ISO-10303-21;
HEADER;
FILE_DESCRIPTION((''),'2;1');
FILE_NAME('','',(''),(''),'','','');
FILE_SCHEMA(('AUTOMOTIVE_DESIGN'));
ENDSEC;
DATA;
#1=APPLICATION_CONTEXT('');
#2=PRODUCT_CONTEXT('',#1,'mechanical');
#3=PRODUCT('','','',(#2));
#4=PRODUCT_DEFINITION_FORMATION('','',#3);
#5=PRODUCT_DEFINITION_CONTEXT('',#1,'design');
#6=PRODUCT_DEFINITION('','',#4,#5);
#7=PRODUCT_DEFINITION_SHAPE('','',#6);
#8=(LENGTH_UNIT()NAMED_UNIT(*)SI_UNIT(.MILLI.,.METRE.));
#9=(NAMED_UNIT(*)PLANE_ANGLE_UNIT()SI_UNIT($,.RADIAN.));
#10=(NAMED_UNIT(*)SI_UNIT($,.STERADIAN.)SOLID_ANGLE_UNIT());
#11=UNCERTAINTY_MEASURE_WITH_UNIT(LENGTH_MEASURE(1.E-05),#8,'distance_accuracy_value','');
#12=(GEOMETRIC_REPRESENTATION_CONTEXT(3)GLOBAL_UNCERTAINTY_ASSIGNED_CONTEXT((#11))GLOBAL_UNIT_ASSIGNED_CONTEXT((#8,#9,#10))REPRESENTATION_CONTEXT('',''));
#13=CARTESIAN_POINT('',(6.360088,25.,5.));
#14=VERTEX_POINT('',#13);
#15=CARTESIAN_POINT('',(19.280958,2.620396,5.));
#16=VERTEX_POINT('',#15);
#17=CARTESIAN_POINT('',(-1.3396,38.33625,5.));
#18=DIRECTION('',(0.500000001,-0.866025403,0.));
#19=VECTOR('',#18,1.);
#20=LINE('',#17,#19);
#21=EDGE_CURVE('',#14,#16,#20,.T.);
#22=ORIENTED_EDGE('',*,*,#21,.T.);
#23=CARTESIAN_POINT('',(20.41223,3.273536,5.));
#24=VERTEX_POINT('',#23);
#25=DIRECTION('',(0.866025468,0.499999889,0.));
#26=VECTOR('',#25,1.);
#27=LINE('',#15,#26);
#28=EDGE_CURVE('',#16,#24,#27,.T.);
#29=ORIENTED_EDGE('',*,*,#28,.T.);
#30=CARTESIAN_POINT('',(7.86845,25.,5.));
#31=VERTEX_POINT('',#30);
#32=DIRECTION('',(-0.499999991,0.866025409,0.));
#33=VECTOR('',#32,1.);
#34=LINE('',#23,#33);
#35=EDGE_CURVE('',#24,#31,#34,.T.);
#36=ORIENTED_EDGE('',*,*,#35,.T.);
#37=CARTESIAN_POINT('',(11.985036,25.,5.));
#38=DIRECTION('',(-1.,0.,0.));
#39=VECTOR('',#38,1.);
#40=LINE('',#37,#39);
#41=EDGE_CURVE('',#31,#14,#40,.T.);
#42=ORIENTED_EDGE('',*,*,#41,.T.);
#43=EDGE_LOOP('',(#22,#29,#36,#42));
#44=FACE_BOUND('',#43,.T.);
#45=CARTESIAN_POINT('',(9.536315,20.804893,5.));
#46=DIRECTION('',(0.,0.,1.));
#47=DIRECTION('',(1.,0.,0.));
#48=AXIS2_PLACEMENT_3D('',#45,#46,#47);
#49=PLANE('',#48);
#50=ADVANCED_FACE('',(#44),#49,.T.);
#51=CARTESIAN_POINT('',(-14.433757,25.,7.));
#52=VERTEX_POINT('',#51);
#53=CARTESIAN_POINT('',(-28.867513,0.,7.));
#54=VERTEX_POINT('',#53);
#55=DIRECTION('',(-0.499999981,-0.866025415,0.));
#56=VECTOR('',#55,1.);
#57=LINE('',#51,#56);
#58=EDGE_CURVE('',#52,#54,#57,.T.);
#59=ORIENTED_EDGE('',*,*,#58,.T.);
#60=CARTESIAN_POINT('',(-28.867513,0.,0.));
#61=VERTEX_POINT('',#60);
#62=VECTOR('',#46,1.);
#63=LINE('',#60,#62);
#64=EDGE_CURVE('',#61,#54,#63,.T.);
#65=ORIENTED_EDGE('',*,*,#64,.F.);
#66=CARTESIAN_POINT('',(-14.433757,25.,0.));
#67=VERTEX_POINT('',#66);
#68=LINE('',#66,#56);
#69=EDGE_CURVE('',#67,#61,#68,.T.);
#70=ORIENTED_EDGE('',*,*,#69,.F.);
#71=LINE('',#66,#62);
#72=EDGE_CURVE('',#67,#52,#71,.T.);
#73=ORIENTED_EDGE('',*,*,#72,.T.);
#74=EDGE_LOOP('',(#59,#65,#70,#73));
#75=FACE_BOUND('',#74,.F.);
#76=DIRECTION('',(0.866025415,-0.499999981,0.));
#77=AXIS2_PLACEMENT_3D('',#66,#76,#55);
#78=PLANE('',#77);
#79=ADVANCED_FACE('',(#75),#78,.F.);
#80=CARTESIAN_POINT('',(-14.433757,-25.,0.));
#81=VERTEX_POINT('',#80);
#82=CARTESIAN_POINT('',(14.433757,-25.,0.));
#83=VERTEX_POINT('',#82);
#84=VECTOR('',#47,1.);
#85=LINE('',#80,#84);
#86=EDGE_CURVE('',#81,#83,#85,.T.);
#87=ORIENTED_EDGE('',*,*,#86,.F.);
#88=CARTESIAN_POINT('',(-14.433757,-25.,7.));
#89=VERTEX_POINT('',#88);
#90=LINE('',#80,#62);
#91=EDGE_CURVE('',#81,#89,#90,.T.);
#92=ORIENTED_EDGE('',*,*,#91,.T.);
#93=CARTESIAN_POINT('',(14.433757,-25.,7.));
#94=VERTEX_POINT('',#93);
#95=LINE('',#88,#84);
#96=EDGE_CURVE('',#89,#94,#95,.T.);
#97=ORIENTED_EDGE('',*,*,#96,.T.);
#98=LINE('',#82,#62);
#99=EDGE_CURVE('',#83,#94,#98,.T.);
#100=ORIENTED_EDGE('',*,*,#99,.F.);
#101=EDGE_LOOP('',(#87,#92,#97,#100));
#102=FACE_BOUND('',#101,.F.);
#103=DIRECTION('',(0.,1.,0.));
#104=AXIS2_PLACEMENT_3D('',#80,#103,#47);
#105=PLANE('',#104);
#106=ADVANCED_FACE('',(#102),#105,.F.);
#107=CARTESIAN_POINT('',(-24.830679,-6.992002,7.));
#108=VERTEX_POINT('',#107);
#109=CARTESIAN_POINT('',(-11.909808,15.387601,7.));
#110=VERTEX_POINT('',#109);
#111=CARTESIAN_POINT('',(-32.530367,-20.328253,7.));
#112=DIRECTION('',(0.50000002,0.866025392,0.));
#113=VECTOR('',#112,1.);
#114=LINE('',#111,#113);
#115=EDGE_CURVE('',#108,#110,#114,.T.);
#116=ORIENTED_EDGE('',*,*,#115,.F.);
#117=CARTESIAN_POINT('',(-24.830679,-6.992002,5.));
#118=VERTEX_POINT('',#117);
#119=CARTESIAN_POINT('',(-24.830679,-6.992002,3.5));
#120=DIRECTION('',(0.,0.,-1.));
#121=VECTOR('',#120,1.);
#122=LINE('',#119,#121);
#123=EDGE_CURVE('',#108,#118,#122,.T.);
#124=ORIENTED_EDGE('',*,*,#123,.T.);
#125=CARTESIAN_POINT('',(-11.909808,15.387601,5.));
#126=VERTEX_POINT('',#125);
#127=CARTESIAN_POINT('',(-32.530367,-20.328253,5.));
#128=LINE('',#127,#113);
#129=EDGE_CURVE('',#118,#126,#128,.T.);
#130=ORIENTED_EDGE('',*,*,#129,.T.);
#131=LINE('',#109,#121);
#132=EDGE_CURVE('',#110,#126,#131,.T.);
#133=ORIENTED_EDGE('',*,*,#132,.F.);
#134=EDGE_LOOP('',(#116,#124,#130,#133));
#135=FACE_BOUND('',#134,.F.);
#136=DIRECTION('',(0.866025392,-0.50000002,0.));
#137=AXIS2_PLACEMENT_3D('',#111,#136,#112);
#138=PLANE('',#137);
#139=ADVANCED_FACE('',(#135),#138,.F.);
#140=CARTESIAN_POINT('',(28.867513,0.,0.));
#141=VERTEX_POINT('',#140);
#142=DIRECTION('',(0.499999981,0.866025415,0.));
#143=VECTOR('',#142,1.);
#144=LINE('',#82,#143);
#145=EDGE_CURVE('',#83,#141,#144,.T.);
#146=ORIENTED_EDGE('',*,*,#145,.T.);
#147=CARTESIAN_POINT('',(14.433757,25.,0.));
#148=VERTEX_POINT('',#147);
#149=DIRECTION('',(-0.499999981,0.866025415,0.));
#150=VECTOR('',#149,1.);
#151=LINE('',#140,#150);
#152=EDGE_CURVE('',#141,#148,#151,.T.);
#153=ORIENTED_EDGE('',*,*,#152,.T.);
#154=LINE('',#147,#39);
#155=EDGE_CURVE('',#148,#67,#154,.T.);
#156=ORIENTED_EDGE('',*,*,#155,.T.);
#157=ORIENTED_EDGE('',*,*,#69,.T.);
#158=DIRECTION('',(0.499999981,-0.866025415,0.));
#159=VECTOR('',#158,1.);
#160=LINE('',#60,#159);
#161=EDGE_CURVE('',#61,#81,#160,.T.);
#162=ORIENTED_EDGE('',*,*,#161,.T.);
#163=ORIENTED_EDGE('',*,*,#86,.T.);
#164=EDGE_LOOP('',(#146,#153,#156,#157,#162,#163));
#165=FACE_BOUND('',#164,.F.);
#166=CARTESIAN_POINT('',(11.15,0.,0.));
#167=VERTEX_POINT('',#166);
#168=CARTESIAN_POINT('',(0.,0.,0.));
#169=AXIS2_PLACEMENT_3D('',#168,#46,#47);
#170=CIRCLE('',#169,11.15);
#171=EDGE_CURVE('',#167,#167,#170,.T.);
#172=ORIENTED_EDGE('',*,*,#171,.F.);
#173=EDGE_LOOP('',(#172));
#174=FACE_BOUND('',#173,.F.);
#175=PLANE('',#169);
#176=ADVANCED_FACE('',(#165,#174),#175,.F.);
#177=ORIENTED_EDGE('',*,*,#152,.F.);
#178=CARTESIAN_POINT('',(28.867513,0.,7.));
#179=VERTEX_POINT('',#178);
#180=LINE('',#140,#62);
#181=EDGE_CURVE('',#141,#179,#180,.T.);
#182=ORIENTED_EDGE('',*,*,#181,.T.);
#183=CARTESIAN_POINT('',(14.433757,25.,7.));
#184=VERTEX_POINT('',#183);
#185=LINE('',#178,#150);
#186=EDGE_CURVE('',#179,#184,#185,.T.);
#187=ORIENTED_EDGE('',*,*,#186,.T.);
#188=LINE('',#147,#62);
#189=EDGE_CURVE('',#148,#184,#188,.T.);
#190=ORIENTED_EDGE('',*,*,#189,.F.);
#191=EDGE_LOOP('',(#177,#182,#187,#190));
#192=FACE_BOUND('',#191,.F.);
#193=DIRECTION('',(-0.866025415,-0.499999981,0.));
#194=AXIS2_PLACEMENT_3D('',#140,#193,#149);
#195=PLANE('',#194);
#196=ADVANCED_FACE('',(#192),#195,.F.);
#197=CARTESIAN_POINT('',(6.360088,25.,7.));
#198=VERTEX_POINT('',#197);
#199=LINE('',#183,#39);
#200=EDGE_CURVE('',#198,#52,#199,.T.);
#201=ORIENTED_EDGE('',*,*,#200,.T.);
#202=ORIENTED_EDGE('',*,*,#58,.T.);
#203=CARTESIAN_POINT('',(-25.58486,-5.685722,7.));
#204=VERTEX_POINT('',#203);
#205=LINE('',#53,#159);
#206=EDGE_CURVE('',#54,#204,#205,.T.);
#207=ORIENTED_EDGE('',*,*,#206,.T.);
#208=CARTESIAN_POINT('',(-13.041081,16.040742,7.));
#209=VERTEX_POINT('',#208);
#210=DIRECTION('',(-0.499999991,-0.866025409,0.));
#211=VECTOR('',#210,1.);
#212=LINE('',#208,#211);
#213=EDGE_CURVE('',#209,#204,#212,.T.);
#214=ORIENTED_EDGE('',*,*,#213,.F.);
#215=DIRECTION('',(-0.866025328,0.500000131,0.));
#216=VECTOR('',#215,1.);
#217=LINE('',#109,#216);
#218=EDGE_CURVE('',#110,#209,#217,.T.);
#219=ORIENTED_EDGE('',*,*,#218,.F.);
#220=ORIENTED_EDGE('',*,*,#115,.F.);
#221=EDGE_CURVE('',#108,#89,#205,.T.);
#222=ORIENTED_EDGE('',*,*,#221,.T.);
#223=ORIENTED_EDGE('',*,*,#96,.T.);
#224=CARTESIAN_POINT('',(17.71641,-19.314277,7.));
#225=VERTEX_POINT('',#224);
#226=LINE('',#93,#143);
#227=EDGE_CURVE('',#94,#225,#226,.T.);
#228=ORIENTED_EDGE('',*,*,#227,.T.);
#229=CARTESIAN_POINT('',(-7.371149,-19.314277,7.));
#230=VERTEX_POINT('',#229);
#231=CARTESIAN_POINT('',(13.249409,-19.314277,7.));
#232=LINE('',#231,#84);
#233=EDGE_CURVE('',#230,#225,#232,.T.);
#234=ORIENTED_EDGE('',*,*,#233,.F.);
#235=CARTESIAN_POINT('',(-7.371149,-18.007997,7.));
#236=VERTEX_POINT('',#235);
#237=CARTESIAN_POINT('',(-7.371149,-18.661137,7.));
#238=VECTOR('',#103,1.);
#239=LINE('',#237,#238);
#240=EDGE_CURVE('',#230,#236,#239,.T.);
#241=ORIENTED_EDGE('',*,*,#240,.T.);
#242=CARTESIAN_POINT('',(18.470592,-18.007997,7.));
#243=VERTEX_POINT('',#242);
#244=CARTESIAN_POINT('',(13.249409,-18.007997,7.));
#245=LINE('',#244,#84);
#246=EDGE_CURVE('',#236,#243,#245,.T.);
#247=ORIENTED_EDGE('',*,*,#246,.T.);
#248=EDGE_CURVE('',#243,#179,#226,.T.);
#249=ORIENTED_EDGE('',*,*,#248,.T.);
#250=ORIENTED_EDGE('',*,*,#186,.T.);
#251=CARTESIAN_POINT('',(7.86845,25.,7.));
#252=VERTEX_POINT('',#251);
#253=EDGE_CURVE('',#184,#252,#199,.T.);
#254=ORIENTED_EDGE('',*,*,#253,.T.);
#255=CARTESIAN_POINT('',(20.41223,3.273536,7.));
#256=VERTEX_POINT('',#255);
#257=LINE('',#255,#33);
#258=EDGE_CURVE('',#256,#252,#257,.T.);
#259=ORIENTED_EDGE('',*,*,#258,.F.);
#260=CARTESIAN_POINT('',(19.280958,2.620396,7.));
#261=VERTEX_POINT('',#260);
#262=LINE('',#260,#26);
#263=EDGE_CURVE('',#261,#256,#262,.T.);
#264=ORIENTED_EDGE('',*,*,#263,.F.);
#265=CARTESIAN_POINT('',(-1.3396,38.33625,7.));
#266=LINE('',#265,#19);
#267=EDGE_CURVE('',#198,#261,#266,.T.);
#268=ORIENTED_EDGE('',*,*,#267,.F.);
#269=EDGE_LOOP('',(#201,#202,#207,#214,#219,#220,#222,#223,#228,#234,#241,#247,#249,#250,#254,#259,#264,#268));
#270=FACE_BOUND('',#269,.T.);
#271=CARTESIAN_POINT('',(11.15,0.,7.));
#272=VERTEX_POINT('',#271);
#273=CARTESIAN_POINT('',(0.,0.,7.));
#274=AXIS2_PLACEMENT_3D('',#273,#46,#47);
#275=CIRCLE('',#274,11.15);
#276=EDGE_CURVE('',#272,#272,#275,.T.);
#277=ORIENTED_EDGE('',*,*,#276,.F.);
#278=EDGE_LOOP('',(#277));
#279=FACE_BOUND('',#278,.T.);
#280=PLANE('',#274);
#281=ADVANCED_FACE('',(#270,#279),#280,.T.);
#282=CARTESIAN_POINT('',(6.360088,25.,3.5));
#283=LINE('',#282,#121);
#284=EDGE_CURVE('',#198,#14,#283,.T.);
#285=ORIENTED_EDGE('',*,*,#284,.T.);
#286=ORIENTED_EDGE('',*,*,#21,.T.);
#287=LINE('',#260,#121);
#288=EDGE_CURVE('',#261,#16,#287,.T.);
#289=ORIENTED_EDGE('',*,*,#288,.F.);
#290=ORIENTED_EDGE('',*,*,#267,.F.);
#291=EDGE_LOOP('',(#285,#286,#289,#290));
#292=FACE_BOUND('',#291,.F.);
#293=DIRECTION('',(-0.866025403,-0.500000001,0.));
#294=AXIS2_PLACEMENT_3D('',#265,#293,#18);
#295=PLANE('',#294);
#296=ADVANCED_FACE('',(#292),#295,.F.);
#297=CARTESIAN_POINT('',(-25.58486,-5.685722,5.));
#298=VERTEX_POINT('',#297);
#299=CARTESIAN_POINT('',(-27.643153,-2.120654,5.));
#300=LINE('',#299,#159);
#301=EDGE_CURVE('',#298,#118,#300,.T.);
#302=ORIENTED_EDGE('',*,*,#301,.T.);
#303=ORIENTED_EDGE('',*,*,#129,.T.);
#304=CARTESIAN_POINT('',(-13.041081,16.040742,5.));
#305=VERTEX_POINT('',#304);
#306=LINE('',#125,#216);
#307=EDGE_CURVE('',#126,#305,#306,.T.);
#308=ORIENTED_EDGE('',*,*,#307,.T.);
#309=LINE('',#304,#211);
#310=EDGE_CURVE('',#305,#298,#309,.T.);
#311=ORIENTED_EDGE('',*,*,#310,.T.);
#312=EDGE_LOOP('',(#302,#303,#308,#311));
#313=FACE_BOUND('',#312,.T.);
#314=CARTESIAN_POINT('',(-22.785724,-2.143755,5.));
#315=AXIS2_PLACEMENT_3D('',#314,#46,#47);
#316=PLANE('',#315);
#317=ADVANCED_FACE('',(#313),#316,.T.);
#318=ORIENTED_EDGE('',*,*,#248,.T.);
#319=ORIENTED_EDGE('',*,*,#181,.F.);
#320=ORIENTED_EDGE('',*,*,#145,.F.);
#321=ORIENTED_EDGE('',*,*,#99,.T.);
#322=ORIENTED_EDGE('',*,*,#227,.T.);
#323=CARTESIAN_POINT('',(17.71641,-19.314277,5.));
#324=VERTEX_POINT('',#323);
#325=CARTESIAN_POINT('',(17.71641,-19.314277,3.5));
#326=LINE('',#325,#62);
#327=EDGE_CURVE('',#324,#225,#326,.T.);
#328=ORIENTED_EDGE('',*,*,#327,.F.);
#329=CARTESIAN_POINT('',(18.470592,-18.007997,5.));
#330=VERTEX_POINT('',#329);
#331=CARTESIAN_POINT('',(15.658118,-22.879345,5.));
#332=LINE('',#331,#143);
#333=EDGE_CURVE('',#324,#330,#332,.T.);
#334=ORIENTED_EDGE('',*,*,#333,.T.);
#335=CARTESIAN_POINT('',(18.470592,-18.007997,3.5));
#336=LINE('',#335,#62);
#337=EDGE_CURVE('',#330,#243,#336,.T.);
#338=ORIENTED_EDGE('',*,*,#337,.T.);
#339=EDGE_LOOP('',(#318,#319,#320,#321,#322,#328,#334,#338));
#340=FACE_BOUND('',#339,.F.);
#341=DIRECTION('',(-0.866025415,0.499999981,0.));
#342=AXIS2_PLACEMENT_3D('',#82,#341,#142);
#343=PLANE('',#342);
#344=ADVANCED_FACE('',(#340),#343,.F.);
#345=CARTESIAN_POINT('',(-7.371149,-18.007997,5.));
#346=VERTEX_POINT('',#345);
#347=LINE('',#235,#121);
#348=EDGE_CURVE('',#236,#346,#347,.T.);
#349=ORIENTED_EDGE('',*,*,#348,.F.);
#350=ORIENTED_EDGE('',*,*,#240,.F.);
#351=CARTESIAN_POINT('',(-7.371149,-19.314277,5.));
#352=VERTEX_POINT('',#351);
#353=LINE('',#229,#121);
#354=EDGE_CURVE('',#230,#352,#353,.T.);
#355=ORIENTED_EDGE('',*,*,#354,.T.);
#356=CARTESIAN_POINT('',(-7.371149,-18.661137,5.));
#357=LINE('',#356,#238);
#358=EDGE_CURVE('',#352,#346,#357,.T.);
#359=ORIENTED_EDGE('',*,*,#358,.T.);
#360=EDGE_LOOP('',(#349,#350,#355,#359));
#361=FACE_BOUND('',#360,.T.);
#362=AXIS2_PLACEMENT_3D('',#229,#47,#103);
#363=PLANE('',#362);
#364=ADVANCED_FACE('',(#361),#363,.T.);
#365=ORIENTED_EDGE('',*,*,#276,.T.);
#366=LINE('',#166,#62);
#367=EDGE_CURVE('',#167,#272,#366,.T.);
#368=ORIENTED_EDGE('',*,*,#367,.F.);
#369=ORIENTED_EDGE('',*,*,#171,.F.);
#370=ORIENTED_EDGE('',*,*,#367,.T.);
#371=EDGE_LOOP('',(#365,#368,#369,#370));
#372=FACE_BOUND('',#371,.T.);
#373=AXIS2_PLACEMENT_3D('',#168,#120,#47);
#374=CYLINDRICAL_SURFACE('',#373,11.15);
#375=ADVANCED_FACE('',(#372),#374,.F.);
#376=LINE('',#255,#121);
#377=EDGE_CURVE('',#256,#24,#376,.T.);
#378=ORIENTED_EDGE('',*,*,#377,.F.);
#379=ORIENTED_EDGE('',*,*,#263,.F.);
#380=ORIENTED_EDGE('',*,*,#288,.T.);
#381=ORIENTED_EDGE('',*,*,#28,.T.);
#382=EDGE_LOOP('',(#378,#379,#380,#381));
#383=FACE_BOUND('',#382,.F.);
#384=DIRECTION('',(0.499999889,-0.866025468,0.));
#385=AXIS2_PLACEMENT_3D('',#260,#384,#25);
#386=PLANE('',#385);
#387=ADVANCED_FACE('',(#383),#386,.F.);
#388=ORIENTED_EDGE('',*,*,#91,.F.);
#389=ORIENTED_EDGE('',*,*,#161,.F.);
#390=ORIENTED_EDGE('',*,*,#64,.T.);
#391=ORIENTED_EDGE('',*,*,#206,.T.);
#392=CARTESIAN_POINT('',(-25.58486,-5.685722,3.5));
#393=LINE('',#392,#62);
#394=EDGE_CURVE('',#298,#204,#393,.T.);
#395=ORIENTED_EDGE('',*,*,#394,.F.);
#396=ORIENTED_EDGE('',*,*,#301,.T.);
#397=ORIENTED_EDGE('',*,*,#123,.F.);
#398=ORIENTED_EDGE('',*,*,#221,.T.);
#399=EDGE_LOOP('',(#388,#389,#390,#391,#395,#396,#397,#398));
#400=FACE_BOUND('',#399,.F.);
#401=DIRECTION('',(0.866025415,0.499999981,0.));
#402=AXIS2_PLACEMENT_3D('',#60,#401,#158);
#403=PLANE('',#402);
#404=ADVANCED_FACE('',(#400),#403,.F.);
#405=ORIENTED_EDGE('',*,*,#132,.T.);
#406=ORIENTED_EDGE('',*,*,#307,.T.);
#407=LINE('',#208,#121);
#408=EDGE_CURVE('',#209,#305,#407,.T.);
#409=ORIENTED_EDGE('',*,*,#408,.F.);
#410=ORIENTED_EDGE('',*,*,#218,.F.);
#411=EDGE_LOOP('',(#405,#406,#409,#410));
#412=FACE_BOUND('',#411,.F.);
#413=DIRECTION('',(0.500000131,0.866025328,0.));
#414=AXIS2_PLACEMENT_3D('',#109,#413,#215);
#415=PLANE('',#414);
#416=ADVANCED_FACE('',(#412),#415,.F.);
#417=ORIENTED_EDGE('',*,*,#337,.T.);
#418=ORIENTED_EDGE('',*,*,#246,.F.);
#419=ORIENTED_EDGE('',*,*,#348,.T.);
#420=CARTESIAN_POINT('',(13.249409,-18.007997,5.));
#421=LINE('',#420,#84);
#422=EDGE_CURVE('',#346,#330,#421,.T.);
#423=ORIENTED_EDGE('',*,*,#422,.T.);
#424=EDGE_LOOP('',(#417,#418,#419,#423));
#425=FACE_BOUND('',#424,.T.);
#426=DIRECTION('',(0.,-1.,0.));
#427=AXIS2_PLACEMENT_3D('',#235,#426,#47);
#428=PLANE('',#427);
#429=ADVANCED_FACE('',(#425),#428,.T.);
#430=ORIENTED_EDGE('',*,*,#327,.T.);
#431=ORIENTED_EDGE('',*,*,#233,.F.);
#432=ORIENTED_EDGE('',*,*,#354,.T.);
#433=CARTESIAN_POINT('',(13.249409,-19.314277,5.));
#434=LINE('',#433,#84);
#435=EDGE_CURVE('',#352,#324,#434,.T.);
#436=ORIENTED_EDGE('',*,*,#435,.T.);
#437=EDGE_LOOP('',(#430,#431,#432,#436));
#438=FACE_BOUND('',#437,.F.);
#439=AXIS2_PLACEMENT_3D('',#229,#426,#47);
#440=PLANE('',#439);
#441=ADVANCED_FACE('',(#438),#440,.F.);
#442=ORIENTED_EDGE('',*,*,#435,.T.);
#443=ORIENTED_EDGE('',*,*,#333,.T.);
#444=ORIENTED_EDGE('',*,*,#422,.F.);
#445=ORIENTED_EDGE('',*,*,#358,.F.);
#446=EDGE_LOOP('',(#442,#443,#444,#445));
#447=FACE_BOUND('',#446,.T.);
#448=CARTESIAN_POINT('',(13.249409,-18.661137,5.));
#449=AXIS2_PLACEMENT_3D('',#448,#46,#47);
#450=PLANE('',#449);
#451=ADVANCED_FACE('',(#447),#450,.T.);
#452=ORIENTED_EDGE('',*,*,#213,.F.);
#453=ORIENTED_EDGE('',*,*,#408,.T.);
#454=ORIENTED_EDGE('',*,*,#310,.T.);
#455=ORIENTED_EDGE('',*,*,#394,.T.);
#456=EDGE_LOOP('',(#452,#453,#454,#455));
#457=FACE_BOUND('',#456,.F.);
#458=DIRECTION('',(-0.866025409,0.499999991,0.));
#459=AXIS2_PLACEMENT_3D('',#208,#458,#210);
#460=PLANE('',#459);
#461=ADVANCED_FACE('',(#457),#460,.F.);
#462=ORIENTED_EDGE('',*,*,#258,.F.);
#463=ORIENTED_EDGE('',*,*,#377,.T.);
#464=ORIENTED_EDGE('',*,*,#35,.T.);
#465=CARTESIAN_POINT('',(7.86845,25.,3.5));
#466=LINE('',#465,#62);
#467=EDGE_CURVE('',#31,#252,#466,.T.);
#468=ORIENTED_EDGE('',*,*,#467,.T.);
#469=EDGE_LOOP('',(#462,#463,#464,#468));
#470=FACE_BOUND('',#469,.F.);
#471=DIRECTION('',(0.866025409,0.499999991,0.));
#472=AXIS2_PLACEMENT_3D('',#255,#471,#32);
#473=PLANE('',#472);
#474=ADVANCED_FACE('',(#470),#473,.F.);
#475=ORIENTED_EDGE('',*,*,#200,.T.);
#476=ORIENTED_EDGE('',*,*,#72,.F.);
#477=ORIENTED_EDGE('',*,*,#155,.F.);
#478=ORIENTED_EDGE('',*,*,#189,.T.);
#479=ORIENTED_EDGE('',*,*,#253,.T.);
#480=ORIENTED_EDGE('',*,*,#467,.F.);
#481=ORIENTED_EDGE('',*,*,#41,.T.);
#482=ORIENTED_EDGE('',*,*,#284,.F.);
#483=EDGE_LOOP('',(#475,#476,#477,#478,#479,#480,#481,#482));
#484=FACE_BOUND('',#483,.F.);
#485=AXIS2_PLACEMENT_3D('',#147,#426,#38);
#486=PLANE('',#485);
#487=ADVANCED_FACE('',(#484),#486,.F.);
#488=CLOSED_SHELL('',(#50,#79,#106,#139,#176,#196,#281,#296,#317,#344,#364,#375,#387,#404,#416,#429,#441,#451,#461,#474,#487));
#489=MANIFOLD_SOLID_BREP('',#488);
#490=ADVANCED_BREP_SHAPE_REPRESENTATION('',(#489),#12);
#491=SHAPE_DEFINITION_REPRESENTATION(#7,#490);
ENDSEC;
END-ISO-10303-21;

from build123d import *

# Parameters (mm, degrees)
F0_R     = 11.15
F1_DEPTH = 7
F2_W     = 41.241116
F2_H     = 1.306281
F3_DEPTH = 2


with BuildPart() as f1:
    # F0 (on Top) → F1 (new body)
    with BuildSketch(Plane.XY):
        Polygon((14.433757, 25), (-14.433757, 25), (-28.867513, 0), (-14.433757, -25), (14.433757, -25), (28.867513, 0), align=None)
        Circle(F0_R, mode=Mode.SUBTRACT)
    extrude(amount=F1_DEPTH)

    # F2 (on face) → F3 (cut)
    with BuildSketch(Plane.XY.offset(7)):
        with Locations((13.249409, -18.661137)):
            Rectangle(F2_W, F2_H)
        Polygon((-1.3396, 38.33625), (19.280958, 2.620396), (20.41223, 3.273536), (-0.208328, 38.989391), align=None)
        Polygon((-32.530367, -20.328253), (-11.909808, 15.387601), (-13.041081, 16.040742), (-33.661639, -19.675113), align=None)
    extrude(amount=-F3_DEPTH, mode=Mode.SUBTRACT)


solid = f1.part
